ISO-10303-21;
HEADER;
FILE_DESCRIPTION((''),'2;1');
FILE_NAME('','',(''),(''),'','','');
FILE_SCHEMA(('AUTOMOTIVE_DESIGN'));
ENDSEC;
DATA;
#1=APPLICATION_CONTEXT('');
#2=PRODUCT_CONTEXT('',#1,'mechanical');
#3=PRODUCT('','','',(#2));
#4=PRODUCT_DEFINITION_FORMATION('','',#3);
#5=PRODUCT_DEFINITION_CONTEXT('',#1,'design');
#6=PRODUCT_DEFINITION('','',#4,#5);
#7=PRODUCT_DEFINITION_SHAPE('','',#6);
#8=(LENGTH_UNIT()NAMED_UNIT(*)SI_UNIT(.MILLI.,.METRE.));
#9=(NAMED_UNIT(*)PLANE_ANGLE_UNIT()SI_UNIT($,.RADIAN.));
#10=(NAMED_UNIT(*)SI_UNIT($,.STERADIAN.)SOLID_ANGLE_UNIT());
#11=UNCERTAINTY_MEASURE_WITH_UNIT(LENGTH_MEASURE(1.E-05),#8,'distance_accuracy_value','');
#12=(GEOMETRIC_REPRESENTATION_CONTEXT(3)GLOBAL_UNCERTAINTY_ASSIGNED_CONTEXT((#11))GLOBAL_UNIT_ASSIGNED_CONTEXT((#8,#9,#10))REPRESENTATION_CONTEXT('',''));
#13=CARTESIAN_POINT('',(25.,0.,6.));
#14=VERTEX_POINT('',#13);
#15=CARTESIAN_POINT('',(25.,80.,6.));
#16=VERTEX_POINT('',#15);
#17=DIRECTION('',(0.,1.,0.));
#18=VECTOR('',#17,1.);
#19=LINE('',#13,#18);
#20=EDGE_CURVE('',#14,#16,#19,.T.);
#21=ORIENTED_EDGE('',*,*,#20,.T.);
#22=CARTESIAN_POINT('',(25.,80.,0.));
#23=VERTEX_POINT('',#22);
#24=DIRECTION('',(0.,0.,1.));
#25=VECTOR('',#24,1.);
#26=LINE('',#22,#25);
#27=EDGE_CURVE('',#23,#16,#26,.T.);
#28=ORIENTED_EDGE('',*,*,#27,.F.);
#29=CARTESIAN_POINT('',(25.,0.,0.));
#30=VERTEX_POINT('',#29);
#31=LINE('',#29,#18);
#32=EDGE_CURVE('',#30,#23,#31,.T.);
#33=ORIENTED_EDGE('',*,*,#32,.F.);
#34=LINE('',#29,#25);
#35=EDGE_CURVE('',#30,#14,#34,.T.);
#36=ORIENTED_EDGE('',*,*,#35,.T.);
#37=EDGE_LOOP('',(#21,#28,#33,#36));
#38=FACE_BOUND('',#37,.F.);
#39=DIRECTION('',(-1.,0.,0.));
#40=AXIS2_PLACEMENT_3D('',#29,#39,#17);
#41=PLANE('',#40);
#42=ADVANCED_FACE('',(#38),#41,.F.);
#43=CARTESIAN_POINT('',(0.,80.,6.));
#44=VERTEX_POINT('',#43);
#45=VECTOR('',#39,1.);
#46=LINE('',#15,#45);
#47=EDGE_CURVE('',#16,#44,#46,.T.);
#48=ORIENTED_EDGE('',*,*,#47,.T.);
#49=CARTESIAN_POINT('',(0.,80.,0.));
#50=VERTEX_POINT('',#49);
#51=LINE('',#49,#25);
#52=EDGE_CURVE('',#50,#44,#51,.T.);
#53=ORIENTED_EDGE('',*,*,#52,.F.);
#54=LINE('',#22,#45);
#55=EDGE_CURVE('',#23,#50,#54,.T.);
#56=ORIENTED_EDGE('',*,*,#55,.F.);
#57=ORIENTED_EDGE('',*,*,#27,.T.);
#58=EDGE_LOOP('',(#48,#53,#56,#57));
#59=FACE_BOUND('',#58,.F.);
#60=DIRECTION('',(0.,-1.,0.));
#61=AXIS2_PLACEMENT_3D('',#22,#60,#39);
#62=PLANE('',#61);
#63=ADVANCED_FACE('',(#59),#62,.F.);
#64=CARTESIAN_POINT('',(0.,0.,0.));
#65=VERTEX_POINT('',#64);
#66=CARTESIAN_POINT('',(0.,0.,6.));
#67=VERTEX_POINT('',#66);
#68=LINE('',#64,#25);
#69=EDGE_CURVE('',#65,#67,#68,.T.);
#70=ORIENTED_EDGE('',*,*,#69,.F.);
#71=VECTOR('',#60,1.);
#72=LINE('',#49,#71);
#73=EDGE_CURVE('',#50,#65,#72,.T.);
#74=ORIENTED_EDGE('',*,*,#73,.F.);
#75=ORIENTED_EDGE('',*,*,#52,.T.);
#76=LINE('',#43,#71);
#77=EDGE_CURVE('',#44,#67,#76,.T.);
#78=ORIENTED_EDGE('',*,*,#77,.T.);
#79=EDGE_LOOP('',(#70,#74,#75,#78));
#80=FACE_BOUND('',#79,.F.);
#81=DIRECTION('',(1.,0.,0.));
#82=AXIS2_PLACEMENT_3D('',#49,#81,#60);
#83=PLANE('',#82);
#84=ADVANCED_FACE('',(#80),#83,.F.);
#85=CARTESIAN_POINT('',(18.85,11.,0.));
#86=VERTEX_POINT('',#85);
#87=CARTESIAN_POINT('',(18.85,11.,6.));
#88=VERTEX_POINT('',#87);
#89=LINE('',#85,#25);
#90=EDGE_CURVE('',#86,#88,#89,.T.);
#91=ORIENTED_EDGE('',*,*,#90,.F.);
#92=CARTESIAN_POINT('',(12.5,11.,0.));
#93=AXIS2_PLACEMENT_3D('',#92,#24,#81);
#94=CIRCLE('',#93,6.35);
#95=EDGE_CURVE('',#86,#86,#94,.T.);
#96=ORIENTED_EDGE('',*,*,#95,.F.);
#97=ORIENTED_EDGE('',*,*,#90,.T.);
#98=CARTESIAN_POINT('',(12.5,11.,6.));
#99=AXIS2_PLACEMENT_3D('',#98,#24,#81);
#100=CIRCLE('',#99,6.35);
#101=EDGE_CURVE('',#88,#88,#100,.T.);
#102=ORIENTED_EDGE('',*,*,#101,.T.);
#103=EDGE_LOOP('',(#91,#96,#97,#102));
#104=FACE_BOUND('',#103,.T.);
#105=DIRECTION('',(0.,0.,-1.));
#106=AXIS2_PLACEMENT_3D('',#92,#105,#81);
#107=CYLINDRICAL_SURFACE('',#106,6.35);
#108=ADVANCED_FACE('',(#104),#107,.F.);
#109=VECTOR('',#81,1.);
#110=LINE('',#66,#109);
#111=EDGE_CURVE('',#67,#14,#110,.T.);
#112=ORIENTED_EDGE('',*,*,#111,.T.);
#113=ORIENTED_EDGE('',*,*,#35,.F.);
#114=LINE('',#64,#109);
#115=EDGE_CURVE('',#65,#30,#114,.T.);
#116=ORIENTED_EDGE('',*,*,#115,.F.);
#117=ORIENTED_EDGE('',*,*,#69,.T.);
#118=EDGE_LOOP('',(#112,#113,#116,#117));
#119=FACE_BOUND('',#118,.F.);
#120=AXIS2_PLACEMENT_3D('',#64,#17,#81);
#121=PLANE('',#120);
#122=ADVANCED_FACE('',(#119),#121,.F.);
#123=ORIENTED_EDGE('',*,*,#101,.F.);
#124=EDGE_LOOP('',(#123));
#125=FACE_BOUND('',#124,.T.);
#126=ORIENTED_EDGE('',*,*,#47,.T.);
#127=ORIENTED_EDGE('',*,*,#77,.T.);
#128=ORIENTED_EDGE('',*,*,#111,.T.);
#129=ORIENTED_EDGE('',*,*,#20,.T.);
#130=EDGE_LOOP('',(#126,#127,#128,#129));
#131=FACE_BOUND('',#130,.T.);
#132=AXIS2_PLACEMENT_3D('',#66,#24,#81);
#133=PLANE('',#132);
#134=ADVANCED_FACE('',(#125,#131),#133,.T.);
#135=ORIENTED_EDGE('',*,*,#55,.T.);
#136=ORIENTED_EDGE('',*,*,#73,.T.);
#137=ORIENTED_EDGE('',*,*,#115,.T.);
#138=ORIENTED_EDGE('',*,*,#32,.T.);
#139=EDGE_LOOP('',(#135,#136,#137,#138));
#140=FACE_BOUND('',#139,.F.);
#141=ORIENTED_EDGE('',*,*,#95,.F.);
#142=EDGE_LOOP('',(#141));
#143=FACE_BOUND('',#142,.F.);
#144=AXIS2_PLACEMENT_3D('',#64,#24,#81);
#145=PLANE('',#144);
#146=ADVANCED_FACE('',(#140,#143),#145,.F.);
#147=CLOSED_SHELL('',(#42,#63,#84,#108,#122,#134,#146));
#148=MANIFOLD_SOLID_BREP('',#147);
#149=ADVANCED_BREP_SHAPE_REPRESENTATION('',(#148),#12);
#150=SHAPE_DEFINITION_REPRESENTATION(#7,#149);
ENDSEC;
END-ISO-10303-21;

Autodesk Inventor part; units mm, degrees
ref_plane "YZ Plane" through (0, 0, 0) normal (1, 0, 0) x (0, 1, 0)
ref_plane "XZ Plane" through (0, 0, 0) normal (0, 1, 0) x (-1, 0, 0)
ref_plane "XY Plane" through (0, 0, 0) normal (0, 0, 1) x (1, 0, 0)
sketch "Sketch1" plane through (0, 0, 0) normal (0, 0, 1) x (1, 0, 0)
  line L0 (0, 0) -> (25, 0)
  line L1 (25, 0) -> (25, 80)
  line L2 (25, 80) -> (0, 80)
  line L3 (0, 80) -> (0, 0)
  circle A0 centre (12.5, 11) radius 6.35
  dimension "d0" = 25
  dimension "d1" = 80
  dimension "d2" = 12.7
extrude "Extrusion1" add sketch "Sketch1" along normal blind 6
properties part number "Handle Connected"
